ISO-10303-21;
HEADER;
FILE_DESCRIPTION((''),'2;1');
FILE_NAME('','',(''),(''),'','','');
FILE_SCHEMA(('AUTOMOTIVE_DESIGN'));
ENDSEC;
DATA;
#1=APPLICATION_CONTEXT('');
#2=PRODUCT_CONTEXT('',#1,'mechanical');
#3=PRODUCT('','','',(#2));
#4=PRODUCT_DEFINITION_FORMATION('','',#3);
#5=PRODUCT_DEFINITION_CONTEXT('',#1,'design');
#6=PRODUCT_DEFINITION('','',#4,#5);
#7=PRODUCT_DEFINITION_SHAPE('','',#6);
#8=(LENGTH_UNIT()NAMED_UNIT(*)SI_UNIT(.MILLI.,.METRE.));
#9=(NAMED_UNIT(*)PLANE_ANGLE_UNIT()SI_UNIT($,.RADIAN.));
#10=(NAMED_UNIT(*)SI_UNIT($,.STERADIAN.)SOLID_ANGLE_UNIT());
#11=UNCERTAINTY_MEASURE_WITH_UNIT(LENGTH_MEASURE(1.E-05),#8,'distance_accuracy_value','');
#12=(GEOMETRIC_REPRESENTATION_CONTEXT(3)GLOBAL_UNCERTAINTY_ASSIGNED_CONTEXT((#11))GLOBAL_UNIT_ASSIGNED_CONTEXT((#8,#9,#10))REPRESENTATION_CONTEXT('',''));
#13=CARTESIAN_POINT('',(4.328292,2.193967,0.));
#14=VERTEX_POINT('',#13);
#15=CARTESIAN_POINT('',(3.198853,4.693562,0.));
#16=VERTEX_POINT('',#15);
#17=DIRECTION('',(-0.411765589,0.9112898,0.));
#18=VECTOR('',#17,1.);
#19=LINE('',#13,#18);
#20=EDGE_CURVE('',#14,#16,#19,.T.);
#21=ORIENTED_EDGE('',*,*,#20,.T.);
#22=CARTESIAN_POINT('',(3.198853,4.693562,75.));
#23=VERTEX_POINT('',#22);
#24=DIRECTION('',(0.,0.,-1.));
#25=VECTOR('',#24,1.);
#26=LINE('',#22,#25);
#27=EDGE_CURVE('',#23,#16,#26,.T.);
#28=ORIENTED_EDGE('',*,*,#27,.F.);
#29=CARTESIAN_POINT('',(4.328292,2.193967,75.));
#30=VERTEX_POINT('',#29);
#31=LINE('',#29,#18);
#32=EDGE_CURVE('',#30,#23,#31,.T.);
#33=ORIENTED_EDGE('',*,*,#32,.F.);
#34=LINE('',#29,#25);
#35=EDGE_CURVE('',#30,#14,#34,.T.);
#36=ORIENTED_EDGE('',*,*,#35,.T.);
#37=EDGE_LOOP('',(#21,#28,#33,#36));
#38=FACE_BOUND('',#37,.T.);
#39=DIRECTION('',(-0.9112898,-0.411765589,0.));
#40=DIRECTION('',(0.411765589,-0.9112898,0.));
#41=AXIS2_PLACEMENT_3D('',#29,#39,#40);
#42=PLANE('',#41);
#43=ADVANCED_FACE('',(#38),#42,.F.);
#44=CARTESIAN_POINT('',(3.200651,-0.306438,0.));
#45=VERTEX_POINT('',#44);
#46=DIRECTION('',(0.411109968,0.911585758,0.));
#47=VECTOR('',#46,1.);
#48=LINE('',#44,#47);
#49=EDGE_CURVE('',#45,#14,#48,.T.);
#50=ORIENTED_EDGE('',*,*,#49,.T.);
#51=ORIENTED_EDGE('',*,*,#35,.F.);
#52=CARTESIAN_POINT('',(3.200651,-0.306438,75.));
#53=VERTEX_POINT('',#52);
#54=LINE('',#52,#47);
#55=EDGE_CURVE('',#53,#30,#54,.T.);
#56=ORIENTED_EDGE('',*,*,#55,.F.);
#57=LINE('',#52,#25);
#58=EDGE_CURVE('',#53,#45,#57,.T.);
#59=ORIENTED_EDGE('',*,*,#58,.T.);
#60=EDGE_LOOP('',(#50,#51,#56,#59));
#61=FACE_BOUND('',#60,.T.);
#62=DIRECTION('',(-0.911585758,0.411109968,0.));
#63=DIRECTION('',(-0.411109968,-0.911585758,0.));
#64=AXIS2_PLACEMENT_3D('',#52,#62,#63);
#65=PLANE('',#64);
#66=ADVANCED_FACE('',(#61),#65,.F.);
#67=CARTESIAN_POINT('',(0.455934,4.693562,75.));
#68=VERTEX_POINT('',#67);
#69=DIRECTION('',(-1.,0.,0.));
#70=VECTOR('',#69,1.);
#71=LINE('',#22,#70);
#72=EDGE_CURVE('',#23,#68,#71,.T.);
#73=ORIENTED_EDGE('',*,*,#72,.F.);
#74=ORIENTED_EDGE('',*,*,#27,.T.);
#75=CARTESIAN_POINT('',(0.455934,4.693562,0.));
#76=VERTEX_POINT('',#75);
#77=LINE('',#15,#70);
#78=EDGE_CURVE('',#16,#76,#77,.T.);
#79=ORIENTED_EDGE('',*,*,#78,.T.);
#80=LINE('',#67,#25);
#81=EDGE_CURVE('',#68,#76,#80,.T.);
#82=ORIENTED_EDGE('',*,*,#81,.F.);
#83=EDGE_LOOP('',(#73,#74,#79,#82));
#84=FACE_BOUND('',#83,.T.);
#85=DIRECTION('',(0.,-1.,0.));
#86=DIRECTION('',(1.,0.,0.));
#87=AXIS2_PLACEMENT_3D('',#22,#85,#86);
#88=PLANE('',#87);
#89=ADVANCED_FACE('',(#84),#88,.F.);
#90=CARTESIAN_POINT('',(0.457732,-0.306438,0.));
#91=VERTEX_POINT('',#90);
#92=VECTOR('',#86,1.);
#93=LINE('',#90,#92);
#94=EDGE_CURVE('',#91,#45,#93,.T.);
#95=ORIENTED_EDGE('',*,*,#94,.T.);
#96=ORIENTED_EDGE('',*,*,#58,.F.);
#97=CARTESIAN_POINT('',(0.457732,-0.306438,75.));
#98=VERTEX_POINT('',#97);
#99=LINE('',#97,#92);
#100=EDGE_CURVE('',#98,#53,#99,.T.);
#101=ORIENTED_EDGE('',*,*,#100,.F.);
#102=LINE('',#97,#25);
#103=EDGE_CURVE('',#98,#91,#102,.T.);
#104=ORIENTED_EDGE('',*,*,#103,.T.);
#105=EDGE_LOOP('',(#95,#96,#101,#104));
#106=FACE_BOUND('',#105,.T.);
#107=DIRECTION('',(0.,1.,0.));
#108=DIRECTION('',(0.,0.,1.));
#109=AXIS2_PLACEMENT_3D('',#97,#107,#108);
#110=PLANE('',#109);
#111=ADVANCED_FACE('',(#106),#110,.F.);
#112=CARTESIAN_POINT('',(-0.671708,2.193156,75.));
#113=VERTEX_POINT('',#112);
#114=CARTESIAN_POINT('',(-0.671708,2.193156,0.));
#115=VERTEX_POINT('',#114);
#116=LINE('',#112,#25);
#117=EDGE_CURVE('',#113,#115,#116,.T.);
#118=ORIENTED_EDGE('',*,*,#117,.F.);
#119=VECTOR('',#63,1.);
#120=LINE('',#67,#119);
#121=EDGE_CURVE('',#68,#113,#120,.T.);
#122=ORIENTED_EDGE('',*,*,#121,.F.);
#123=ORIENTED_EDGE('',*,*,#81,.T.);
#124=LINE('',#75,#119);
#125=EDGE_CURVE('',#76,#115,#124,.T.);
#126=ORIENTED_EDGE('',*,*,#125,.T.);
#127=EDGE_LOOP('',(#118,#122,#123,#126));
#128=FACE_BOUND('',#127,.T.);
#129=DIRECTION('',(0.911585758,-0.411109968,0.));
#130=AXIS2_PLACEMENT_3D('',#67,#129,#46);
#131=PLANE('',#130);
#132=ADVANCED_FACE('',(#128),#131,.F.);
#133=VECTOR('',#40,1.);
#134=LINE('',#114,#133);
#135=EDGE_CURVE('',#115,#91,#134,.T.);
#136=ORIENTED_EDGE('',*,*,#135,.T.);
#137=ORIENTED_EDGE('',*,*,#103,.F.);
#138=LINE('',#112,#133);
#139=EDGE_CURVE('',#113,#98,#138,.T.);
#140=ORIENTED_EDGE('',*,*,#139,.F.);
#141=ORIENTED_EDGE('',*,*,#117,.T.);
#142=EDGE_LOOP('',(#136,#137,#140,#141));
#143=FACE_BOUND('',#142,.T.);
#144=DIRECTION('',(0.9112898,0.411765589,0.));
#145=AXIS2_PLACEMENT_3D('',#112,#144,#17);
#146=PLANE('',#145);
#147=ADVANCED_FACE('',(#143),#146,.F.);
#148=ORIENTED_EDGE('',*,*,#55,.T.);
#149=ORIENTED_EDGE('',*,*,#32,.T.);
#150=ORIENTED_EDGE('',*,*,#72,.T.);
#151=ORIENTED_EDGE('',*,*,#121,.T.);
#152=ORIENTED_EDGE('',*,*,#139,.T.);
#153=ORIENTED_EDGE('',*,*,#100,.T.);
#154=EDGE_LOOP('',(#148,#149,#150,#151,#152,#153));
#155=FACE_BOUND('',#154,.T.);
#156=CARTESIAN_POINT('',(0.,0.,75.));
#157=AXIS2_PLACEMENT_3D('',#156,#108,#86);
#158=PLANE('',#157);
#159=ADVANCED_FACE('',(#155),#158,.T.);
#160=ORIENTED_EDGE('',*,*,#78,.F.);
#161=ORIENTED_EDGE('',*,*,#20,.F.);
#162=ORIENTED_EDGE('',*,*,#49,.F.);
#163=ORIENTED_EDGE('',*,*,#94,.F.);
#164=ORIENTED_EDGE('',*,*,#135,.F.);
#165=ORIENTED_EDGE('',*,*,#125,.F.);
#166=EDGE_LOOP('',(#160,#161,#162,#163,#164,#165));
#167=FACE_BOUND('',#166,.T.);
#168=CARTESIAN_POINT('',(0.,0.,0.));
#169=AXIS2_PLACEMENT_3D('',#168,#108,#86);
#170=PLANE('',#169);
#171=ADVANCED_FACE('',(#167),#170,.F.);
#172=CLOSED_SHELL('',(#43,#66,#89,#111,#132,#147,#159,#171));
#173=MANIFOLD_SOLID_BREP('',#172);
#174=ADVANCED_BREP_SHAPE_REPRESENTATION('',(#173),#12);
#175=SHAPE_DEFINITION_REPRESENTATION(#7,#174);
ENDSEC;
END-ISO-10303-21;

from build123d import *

# Parameters (mm, degrees)
BOSS_EXTRUDE1_DEPTH = 75


with BuildPart() as part:
    # Sketch1 → Boss-Extrude1 (new body)
    with BuildSketch(Plane.XY):
        Polygon((4.32829247, 2.19396745), (3.198852812, 4.693561556), (0.455933813, 4.693561556), (-0.67170753, 2.193155661), (0.457732128, -0.306438444), (3.200651127, -0.306438444), align=None)
    extrude(amount=BOSS_EXTRUDE1_DEPTH)


solid = part.part
